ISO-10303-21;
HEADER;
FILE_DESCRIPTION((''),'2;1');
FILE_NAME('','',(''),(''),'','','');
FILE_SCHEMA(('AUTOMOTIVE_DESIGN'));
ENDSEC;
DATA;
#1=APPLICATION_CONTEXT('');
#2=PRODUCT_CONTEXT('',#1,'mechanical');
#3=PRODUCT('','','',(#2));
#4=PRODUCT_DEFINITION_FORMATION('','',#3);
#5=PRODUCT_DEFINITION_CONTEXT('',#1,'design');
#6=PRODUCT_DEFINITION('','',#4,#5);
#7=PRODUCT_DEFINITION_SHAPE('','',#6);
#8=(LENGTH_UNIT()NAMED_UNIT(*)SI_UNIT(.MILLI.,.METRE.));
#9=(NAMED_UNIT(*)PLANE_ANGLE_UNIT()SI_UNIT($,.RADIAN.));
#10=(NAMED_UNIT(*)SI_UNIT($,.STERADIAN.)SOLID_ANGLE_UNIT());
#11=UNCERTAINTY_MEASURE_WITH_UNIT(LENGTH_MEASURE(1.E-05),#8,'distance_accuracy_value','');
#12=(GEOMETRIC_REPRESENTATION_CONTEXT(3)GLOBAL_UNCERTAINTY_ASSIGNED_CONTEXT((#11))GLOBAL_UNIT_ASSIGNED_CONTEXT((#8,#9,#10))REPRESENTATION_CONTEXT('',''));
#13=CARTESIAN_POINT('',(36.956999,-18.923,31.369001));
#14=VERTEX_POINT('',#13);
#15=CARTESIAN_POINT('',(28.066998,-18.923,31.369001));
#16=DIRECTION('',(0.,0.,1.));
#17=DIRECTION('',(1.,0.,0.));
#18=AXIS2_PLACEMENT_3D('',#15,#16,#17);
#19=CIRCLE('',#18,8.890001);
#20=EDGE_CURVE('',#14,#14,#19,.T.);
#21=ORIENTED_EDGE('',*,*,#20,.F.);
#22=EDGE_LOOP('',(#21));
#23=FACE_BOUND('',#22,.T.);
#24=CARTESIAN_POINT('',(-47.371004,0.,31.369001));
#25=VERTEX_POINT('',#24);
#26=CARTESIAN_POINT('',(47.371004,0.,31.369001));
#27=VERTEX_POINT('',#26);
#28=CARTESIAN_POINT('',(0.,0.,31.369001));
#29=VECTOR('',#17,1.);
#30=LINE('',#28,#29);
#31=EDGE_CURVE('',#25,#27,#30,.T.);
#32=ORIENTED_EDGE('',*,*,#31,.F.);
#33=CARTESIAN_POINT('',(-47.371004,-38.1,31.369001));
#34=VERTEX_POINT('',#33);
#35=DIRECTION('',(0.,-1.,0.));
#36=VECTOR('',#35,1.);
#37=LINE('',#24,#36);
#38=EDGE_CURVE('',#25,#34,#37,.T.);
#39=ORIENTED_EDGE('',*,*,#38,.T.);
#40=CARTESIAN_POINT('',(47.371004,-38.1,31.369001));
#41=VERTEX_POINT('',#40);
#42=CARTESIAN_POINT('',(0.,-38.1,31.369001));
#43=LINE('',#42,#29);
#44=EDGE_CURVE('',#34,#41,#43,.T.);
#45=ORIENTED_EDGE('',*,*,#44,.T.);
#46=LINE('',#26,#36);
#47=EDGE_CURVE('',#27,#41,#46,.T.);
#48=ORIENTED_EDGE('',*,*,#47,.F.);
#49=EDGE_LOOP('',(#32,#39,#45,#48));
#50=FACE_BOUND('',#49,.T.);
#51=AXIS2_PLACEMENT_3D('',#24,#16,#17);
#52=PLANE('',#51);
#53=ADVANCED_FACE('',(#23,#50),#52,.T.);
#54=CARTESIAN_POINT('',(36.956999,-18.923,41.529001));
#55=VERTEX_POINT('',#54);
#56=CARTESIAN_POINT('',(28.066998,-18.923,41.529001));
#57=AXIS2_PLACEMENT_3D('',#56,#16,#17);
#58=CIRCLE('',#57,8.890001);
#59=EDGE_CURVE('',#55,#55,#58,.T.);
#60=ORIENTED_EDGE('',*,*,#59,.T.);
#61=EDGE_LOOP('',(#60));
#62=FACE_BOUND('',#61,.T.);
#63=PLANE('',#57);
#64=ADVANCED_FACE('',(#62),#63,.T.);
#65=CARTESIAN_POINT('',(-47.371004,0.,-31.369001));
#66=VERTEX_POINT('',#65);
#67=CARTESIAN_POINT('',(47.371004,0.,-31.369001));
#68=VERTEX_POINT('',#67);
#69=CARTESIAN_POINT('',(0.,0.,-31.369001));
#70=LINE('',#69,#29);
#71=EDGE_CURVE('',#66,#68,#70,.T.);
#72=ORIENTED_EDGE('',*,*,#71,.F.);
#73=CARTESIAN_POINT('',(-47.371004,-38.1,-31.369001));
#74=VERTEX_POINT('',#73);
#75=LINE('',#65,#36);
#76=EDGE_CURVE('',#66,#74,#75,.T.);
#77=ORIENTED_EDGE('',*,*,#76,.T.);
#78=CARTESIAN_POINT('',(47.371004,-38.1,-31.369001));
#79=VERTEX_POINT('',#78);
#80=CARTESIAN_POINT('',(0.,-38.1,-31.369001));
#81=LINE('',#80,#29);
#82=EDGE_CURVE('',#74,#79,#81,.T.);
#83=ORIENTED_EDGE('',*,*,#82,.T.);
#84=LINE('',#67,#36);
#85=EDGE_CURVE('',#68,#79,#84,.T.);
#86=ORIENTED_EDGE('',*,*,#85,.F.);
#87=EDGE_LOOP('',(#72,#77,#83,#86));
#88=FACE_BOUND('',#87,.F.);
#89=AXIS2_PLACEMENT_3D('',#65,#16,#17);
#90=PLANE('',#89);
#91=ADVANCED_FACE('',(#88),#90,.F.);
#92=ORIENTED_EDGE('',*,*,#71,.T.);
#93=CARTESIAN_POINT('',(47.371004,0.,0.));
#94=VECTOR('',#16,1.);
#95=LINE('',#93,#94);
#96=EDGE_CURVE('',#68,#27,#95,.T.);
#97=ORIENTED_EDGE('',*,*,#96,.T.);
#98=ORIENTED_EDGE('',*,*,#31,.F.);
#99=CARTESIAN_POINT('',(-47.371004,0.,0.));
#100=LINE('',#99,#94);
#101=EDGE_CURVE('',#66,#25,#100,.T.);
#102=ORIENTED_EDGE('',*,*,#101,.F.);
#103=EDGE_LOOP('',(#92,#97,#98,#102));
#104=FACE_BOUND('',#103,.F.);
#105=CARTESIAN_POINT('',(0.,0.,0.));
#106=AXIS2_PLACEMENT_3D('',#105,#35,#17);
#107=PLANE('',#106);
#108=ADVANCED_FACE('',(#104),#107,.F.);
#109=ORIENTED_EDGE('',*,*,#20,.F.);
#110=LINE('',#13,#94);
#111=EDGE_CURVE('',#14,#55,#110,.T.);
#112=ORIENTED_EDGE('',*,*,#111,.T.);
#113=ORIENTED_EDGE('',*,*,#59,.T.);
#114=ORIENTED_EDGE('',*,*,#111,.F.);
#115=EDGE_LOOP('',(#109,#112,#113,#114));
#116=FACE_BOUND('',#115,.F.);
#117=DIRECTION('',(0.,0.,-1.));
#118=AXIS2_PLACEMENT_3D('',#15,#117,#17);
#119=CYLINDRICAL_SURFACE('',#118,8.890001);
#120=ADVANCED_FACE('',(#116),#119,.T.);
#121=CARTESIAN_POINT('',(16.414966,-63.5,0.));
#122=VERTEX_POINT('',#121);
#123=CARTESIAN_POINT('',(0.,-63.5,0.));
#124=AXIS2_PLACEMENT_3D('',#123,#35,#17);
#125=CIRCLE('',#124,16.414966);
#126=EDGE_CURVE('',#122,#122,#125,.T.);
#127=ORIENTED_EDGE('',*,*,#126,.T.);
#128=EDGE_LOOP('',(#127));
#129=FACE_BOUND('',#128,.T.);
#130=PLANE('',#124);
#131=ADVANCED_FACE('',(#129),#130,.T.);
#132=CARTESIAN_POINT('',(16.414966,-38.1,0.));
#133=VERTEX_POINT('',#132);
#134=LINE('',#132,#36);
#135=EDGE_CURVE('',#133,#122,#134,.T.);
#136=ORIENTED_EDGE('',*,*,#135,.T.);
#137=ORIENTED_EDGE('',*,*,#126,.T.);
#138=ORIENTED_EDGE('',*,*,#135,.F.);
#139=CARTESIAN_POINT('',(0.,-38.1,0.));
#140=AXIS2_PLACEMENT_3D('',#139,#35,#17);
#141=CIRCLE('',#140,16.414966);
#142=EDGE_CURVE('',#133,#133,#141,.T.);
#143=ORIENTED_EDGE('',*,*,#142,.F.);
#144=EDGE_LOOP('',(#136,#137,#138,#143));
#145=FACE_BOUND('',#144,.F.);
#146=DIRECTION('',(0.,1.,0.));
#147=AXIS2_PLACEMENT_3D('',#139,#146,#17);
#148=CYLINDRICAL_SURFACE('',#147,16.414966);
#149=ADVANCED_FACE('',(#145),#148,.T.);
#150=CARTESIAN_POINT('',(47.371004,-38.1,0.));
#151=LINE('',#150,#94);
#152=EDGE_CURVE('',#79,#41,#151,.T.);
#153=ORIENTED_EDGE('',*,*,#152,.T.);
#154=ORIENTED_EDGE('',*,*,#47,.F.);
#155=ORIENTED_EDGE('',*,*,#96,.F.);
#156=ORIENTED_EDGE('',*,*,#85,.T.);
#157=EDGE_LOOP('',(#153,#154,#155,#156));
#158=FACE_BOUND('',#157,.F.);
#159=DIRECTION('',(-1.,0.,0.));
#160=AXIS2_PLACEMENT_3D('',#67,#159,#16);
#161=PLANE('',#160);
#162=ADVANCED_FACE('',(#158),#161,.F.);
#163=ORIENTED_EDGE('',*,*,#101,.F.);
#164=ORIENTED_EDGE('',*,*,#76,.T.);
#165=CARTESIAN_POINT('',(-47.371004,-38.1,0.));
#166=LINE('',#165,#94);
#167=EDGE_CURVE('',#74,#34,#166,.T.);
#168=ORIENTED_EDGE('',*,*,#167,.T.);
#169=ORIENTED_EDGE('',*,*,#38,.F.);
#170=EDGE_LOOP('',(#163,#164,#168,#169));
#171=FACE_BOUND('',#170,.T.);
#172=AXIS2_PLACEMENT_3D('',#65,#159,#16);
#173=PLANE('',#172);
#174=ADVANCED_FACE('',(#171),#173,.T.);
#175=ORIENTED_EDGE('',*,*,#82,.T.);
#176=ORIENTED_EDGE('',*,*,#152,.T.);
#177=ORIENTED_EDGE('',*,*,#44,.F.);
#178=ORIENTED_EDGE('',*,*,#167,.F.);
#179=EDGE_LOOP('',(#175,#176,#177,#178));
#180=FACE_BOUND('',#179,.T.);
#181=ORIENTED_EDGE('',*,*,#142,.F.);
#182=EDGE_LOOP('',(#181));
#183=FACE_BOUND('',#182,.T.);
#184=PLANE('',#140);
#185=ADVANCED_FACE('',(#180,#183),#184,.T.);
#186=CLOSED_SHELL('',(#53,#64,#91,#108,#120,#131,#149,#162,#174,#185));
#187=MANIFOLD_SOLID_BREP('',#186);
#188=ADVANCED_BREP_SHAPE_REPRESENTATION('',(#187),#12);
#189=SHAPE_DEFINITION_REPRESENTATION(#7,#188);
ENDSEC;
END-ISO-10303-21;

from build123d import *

# Parameters (mm, degrees)
F0_W          = 94.742008
F0_H          = 62.738002
F1_DEPTH      = 38.1
F2_R          = 16.414966
F3_DEPTH      = 25.4
F3_DEPTH_BACK = 12.7
F4_R          = 8.890001
F5_DEPTH      = 10.16


with BuildPart() as f1:
    # F0 (on Front) → F1 (new body)
    with BuildSketch(Plane.XZ):
        Rectangle(F0_W, F0_H)
    extrude(amount=F1_DEPTH)

    # F2 (on face) → F3 (join, two sides)
    with BuildSketch(Plane.XZ.offset(38.1)) as f3_sk:
        Circle(F2_R)
    extrude(amount=F3_DEPTH)
    extrude(f3_sk.sketch, amount=-F3_DEPTH_BACK)

    # F4 (on face) → F5 (join)
    with BuildSketch(Plane.XY.offset(31.369001)):
        with Locations((28.066998, -18.923)):
            Circle(F4_R)
    extrude(amount=F5_DEPTH)


solid = f1.part
